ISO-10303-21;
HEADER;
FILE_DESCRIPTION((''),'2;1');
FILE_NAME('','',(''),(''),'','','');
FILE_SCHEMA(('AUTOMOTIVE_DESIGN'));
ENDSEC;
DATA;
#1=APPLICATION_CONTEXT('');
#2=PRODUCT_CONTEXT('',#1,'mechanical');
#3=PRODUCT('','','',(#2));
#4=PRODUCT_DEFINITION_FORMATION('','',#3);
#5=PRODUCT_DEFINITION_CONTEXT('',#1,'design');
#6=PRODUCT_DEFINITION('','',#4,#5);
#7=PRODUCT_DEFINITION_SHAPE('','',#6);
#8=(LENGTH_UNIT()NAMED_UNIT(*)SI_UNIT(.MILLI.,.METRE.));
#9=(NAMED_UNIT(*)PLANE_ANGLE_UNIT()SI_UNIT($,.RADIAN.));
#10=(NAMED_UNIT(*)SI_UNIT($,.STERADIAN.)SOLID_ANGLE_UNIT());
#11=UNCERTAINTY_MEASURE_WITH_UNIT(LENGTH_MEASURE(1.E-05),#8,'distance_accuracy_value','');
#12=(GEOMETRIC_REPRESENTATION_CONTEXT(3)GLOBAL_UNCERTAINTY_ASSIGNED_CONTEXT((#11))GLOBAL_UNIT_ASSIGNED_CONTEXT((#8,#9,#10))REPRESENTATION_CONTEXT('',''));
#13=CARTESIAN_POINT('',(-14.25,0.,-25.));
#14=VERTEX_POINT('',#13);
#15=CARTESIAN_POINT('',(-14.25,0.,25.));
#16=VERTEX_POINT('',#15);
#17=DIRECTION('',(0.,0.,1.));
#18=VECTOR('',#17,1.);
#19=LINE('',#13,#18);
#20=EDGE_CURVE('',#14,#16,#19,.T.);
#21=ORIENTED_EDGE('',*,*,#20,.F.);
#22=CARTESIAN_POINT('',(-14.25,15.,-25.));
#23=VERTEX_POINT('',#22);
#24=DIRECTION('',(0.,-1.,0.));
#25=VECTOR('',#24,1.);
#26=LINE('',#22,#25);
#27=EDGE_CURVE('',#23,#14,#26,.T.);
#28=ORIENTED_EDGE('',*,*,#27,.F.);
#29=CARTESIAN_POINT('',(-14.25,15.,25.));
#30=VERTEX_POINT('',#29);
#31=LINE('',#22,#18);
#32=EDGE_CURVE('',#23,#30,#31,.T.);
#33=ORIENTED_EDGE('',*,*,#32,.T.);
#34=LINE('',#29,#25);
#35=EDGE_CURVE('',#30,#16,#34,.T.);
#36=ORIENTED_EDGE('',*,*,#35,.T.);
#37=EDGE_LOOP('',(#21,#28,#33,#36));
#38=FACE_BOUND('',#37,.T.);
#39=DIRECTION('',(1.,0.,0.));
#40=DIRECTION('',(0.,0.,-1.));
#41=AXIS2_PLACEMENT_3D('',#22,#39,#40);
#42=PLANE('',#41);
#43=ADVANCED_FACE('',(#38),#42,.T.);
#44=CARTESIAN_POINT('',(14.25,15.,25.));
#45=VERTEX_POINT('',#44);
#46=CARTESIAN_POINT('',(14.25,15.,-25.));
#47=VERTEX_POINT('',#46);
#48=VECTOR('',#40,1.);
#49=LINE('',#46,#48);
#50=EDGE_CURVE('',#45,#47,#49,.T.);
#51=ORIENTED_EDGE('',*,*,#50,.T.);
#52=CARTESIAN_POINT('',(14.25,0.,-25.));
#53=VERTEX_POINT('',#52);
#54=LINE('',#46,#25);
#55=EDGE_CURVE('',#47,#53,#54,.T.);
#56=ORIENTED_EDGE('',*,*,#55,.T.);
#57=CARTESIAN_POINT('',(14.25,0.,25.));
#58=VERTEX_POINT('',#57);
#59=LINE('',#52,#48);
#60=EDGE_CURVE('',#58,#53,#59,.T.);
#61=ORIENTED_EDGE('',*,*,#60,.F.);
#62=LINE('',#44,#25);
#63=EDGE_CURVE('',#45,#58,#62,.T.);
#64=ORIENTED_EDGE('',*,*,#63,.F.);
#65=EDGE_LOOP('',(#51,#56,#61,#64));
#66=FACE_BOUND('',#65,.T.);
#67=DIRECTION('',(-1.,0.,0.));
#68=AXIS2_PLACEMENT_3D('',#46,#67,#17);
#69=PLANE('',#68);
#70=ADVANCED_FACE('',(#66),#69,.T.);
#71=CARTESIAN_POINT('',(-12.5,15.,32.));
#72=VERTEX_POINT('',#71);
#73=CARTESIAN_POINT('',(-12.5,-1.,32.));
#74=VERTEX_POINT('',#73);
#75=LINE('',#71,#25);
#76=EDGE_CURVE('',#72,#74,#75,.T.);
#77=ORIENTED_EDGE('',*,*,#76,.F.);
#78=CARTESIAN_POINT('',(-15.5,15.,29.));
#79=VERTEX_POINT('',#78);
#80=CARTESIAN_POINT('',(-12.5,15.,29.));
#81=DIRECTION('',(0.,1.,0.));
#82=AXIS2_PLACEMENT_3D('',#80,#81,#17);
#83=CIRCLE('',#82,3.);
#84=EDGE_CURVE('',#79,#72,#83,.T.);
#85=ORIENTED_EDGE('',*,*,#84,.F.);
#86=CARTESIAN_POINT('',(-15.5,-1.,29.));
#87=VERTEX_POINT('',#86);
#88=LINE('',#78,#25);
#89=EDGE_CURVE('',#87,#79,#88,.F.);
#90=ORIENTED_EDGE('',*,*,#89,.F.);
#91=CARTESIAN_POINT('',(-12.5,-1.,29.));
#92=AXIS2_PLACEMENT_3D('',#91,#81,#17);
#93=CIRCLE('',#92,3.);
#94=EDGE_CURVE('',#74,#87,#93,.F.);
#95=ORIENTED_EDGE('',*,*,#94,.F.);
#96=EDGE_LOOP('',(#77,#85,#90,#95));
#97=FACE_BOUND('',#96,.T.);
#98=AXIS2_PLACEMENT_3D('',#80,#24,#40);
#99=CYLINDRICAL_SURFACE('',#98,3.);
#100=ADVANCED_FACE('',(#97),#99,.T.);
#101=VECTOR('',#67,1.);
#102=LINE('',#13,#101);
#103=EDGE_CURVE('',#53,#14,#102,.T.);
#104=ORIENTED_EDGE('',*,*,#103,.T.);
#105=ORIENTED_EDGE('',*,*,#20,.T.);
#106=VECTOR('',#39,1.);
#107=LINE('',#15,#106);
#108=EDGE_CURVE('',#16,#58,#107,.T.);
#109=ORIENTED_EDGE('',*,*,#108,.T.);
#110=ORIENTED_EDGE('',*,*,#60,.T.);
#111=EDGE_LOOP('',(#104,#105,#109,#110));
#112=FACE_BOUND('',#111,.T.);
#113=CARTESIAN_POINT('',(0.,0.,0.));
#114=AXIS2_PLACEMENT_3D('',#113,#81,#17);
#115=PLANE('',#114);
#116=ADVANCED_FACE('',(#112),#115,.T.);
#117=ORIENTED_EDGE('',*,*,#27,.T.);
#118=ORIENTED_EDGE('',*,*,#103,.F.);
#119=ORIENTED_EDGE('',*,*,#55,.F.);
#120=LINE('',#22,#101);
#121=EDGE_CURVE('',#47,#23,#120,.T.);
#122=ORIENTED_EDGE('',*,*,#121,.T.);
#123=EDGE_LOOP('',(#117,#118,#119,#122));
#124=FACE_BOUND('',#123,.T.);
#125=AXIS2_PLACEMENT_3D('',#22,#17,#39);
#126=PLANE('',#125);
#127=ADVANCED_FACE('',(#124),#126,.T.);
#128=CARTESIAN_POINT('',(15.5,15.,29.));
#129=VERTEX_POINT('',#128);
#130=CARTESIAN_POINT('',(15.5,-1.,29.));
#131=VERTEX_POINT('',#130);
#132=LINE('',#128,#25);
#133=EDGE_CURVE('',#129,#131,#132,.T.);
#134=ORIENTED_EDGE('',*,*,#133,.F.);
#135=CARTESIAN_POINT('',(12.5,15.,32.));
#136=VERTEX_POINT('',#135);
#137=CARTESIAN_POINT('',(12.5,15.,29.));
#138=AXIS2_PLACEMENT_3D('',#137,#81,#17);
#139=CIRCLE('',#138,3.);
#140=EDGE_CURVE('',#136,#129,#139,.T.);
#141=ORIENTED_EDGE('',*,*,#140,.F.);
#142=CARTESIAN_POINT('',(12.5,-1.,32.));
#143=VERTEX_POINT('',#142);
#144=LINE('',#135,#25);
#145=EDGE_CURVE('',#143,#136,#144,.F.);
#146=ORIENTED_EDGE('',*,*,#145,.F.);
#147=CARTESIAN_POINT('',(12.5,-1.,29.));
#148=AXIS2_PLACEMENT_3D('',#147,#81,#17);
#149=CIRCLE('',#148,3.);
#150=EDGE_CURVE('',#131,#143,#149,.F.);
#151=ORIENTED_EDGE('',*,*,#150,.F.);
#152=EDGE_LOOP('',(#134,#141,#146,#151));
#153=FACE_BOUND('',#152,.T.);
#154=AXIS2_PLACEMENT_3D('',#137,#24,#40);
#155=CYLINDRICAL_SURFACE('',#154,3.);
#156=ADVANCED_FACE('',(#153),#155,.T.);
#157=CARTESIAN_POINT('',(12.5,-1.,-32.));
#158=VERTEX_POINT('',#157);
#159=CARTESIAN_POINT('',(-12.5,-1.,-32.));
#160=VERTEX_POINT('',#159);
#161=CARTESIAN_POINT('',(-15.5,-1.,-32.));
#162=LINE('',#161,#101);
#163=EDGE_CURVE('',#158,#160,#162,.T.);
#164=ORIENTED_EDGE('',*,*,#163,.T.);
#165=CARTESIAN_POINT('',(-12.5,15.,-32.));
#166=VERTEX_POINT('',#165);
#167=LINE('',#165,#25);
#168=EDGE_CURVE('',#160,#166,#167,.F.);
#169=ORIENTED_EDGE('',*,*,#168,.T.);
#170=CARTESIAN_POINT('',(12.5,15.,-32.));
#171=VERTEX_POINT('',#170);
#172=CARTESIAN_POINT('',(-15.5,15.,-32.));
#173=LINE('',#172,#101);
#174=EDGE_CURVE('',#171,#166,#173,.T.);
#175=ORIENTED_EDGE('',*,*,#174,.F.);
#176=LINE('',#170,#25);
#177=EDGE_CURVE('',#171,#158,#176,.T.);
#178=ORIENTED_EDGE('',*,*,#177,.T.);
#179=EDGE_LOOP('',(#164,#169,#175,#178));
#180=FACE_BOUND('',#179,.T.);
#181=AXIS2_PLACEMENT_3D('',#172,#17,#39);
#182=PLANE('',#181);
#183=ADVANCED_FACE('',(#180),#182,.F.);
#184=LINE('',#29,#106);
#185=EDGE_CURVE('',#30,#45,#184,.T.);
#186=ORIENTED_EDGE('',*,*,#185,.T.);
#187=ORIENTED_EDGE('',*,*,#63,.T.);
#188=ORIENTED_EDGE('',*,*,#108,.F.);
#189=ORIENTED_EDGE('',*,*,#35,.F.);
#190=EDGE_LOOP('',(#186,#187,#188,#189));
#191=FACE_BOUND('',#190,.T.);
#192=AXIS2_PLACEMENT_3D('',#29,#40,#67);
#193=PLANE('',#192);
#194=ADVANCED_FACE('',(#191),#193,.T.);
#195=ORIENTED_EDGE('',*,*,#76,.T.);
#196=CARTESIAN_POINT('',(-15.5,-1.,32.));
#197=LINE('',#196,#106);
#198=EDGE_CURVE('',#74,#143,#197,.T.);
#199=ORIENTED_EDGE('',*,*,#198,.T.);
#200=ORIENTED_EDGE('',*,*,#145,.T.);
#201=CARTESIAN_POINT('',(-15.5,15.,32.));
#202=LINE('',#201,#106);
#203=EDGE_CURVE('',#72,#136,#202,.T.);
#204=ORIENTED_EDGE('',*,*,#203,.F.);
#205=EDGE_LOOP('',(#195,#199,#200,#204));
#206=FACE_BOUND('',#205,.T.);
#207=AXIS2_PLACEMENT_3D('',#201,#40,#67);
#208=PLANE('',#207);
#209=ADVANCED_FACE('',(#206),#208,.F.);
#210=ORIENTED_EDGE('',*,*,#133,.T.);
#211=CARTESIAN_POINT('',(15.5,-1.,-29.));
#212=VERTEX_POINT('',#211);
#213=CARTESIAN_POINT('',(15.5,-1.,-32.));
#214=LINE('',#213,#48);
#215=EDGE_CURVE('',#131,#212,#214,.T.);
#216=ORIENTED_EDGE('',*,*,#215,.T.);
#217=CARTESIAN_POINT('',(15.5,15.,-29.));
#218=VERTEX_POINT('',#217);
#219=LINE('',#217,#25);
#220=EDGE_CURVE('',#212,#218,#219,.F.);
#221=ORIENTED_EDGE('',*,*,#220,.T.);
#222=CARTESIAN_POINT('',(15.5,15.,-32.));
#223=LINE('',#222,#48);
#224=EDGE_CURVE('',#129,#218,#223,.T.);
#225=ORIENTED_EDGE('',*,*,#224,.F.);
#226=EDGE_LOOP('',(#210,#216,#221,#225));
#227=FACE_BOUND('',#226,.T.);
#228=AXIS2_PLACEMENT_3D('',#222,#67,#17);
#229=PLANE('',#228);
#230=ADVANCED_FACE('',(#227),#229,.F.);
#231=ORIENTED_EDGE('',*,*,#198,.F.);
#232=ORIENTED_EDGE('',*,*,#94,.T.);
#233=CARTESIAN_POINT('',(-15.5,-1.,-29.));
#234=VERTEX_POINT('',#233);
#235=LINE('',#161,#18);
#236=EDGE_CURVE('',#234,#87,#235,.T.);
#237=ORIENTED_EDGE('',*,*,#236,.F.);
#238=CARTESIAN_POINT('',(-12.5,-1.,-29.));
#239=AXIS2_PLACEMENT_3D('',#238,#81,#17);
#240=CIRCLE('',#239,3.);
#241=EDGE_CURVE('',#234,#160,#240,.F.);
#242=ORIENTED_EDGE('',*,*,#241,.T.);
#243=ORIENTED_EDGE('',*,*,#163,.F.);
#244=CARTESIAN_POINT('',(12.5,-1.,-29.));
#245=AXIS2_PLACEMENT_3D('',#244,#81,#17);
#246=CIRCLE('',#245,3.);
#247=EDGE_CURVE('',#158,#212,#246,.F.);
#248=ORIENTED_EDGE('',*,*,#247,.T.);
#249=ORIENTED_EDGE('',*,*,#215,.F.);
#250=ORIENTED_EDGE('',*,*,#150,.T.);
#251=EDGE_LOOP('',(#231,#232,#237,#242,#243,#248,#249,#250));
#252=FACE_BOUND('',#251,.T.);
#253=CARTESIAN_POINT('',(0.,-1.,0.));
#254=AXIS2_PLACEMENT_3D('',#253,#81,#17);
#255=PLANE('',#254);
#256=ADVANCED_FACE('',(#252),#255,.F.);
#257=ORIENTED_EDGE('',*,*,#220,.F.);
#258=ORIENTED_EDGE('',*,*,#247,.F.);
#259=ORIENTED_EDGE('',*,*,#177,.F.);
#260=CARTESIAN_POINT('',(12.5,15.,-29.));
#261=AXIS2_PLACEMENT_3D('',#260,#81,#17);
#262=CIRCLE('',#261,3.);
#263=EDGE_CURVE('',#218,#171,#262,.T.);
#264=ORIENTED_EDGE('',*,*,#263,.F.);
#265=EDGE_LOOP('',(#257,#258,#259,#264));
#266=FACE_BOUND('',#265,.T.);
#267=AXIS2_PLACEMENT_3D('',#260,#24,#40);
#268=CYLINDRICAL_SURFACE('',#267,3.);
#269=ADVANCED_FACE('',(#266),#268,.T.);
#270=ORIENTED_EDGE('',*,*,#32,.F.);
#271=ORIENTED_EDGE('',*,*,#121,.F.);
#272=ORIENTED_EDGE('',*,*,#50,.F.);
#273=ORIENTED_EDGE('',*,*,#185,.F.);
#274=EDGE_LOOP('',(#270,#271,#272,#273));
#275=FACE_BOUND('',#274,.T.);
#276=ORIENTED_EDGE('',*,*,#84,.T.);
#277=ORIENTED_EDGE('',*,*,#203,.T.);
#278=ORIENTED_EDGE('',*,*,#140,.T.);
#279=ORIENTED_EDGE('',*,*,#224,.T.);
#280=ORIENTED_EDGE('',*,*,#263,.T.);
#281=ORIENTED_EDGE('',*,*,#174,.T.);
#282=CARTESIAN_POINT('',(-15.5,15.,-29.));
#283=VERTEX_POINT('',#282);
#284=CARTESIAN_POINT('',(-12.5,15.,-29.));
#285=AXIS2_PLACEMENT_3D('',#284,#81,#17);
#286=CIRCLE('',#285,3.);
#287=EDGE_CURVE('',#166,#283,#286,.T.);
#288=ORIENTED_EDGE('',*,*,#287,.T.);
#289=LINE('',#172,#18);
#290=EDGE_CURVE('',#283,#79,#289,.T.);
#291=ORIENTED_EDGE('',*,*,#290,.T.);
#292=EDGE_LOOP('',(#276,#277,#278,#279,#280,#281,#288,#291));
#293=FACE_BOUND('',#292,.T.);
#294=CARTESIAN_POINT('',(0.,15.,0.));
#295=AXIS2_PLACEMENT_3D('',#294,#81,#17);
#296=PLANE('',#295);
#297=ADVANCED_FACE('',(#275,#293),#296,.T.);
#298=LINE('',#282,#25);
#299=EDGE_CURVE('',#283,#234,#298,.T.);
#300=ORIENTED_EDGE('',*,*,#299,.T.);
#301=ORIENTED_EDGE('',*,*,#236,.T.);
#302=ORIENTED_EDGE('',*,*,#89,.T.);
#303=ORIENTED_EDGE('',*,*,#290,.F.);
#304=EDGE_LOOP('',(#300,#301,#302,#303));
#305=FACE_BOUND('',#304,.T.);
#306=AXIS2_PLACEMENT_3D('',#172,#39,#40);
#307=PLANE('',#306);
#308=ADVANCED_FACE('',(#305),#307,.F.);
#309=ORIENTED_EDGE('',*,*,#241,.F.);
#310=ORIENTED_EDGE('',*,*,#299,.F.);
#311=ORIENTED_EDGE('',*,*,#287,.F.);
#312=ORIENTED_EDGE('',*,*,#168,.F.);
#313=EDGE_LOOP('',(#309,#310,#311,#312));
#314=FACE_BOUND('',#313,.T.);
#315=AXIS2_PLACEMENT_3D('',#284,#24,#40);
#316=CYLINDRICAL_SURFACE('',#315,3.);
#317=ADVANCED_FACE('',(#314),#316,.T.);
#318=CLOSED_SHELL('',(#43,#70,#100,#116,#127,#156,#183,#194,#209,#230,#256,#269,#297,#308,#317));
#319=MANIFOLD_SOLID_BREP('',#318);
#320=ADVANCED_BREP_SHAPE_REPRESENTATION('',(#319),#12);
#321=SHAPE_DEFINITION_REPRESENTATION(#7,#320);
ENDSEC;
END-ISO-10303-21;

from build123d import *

# Parameters (mm, degrees)
SKETCH_1_W      = 31
SKETCH_1_H      = 64
SKETCH_1_W_2    = 28.5
SKETCH_1_H_2    = 50
EXTRUDE_1_DEPTH = 15
SKETCH_2_W      = 31
SKETCH_2_H      = 64
EXTRUDE_2_DEPTH = 1
FILLET_1_R      = 3


with BuildPart() as part:
    # 草图1 → 凸台-拉伸1 (new body)
    with BuildSketch(Plane(origin=(0, 0, 0), x_dir=(1, 0, 0), z_dir=(0, 1, 0))):
        Rectangle(SKETCH_1_W, SKETCH_1_H)
        Rectangle(SKETCH_1_W_2, SKETCH_1_H_2, mode=Mode.SUBTRACT)
    extrude(amount=EXTRUDE_1_DEPTH)

    # 草图2 → 凸台-拉伸2 (add)
    with BuildSketch(Plane(origin=(0, 0, 0), x_dir=(1, 0, 0), z_dir=(0, 1, 0))):
        Rectangle(SKETCH_2_W, SKETCH_2_H)
    extrude(amount=-EXTRUDE_2_DEPTH)

    # 圆角1
    fillet_1_edges = [part.edges().sort_by_distance(p)[0] for p in [
        (15.5, 7, 32),
        (-15.5, 7, 32),
        (-15.5, 7, -32),
        (15.5, 7, -32),
    ]]
    fillet(fillet_1_edges, radius=FILLET_1_R)


solid = part.part
